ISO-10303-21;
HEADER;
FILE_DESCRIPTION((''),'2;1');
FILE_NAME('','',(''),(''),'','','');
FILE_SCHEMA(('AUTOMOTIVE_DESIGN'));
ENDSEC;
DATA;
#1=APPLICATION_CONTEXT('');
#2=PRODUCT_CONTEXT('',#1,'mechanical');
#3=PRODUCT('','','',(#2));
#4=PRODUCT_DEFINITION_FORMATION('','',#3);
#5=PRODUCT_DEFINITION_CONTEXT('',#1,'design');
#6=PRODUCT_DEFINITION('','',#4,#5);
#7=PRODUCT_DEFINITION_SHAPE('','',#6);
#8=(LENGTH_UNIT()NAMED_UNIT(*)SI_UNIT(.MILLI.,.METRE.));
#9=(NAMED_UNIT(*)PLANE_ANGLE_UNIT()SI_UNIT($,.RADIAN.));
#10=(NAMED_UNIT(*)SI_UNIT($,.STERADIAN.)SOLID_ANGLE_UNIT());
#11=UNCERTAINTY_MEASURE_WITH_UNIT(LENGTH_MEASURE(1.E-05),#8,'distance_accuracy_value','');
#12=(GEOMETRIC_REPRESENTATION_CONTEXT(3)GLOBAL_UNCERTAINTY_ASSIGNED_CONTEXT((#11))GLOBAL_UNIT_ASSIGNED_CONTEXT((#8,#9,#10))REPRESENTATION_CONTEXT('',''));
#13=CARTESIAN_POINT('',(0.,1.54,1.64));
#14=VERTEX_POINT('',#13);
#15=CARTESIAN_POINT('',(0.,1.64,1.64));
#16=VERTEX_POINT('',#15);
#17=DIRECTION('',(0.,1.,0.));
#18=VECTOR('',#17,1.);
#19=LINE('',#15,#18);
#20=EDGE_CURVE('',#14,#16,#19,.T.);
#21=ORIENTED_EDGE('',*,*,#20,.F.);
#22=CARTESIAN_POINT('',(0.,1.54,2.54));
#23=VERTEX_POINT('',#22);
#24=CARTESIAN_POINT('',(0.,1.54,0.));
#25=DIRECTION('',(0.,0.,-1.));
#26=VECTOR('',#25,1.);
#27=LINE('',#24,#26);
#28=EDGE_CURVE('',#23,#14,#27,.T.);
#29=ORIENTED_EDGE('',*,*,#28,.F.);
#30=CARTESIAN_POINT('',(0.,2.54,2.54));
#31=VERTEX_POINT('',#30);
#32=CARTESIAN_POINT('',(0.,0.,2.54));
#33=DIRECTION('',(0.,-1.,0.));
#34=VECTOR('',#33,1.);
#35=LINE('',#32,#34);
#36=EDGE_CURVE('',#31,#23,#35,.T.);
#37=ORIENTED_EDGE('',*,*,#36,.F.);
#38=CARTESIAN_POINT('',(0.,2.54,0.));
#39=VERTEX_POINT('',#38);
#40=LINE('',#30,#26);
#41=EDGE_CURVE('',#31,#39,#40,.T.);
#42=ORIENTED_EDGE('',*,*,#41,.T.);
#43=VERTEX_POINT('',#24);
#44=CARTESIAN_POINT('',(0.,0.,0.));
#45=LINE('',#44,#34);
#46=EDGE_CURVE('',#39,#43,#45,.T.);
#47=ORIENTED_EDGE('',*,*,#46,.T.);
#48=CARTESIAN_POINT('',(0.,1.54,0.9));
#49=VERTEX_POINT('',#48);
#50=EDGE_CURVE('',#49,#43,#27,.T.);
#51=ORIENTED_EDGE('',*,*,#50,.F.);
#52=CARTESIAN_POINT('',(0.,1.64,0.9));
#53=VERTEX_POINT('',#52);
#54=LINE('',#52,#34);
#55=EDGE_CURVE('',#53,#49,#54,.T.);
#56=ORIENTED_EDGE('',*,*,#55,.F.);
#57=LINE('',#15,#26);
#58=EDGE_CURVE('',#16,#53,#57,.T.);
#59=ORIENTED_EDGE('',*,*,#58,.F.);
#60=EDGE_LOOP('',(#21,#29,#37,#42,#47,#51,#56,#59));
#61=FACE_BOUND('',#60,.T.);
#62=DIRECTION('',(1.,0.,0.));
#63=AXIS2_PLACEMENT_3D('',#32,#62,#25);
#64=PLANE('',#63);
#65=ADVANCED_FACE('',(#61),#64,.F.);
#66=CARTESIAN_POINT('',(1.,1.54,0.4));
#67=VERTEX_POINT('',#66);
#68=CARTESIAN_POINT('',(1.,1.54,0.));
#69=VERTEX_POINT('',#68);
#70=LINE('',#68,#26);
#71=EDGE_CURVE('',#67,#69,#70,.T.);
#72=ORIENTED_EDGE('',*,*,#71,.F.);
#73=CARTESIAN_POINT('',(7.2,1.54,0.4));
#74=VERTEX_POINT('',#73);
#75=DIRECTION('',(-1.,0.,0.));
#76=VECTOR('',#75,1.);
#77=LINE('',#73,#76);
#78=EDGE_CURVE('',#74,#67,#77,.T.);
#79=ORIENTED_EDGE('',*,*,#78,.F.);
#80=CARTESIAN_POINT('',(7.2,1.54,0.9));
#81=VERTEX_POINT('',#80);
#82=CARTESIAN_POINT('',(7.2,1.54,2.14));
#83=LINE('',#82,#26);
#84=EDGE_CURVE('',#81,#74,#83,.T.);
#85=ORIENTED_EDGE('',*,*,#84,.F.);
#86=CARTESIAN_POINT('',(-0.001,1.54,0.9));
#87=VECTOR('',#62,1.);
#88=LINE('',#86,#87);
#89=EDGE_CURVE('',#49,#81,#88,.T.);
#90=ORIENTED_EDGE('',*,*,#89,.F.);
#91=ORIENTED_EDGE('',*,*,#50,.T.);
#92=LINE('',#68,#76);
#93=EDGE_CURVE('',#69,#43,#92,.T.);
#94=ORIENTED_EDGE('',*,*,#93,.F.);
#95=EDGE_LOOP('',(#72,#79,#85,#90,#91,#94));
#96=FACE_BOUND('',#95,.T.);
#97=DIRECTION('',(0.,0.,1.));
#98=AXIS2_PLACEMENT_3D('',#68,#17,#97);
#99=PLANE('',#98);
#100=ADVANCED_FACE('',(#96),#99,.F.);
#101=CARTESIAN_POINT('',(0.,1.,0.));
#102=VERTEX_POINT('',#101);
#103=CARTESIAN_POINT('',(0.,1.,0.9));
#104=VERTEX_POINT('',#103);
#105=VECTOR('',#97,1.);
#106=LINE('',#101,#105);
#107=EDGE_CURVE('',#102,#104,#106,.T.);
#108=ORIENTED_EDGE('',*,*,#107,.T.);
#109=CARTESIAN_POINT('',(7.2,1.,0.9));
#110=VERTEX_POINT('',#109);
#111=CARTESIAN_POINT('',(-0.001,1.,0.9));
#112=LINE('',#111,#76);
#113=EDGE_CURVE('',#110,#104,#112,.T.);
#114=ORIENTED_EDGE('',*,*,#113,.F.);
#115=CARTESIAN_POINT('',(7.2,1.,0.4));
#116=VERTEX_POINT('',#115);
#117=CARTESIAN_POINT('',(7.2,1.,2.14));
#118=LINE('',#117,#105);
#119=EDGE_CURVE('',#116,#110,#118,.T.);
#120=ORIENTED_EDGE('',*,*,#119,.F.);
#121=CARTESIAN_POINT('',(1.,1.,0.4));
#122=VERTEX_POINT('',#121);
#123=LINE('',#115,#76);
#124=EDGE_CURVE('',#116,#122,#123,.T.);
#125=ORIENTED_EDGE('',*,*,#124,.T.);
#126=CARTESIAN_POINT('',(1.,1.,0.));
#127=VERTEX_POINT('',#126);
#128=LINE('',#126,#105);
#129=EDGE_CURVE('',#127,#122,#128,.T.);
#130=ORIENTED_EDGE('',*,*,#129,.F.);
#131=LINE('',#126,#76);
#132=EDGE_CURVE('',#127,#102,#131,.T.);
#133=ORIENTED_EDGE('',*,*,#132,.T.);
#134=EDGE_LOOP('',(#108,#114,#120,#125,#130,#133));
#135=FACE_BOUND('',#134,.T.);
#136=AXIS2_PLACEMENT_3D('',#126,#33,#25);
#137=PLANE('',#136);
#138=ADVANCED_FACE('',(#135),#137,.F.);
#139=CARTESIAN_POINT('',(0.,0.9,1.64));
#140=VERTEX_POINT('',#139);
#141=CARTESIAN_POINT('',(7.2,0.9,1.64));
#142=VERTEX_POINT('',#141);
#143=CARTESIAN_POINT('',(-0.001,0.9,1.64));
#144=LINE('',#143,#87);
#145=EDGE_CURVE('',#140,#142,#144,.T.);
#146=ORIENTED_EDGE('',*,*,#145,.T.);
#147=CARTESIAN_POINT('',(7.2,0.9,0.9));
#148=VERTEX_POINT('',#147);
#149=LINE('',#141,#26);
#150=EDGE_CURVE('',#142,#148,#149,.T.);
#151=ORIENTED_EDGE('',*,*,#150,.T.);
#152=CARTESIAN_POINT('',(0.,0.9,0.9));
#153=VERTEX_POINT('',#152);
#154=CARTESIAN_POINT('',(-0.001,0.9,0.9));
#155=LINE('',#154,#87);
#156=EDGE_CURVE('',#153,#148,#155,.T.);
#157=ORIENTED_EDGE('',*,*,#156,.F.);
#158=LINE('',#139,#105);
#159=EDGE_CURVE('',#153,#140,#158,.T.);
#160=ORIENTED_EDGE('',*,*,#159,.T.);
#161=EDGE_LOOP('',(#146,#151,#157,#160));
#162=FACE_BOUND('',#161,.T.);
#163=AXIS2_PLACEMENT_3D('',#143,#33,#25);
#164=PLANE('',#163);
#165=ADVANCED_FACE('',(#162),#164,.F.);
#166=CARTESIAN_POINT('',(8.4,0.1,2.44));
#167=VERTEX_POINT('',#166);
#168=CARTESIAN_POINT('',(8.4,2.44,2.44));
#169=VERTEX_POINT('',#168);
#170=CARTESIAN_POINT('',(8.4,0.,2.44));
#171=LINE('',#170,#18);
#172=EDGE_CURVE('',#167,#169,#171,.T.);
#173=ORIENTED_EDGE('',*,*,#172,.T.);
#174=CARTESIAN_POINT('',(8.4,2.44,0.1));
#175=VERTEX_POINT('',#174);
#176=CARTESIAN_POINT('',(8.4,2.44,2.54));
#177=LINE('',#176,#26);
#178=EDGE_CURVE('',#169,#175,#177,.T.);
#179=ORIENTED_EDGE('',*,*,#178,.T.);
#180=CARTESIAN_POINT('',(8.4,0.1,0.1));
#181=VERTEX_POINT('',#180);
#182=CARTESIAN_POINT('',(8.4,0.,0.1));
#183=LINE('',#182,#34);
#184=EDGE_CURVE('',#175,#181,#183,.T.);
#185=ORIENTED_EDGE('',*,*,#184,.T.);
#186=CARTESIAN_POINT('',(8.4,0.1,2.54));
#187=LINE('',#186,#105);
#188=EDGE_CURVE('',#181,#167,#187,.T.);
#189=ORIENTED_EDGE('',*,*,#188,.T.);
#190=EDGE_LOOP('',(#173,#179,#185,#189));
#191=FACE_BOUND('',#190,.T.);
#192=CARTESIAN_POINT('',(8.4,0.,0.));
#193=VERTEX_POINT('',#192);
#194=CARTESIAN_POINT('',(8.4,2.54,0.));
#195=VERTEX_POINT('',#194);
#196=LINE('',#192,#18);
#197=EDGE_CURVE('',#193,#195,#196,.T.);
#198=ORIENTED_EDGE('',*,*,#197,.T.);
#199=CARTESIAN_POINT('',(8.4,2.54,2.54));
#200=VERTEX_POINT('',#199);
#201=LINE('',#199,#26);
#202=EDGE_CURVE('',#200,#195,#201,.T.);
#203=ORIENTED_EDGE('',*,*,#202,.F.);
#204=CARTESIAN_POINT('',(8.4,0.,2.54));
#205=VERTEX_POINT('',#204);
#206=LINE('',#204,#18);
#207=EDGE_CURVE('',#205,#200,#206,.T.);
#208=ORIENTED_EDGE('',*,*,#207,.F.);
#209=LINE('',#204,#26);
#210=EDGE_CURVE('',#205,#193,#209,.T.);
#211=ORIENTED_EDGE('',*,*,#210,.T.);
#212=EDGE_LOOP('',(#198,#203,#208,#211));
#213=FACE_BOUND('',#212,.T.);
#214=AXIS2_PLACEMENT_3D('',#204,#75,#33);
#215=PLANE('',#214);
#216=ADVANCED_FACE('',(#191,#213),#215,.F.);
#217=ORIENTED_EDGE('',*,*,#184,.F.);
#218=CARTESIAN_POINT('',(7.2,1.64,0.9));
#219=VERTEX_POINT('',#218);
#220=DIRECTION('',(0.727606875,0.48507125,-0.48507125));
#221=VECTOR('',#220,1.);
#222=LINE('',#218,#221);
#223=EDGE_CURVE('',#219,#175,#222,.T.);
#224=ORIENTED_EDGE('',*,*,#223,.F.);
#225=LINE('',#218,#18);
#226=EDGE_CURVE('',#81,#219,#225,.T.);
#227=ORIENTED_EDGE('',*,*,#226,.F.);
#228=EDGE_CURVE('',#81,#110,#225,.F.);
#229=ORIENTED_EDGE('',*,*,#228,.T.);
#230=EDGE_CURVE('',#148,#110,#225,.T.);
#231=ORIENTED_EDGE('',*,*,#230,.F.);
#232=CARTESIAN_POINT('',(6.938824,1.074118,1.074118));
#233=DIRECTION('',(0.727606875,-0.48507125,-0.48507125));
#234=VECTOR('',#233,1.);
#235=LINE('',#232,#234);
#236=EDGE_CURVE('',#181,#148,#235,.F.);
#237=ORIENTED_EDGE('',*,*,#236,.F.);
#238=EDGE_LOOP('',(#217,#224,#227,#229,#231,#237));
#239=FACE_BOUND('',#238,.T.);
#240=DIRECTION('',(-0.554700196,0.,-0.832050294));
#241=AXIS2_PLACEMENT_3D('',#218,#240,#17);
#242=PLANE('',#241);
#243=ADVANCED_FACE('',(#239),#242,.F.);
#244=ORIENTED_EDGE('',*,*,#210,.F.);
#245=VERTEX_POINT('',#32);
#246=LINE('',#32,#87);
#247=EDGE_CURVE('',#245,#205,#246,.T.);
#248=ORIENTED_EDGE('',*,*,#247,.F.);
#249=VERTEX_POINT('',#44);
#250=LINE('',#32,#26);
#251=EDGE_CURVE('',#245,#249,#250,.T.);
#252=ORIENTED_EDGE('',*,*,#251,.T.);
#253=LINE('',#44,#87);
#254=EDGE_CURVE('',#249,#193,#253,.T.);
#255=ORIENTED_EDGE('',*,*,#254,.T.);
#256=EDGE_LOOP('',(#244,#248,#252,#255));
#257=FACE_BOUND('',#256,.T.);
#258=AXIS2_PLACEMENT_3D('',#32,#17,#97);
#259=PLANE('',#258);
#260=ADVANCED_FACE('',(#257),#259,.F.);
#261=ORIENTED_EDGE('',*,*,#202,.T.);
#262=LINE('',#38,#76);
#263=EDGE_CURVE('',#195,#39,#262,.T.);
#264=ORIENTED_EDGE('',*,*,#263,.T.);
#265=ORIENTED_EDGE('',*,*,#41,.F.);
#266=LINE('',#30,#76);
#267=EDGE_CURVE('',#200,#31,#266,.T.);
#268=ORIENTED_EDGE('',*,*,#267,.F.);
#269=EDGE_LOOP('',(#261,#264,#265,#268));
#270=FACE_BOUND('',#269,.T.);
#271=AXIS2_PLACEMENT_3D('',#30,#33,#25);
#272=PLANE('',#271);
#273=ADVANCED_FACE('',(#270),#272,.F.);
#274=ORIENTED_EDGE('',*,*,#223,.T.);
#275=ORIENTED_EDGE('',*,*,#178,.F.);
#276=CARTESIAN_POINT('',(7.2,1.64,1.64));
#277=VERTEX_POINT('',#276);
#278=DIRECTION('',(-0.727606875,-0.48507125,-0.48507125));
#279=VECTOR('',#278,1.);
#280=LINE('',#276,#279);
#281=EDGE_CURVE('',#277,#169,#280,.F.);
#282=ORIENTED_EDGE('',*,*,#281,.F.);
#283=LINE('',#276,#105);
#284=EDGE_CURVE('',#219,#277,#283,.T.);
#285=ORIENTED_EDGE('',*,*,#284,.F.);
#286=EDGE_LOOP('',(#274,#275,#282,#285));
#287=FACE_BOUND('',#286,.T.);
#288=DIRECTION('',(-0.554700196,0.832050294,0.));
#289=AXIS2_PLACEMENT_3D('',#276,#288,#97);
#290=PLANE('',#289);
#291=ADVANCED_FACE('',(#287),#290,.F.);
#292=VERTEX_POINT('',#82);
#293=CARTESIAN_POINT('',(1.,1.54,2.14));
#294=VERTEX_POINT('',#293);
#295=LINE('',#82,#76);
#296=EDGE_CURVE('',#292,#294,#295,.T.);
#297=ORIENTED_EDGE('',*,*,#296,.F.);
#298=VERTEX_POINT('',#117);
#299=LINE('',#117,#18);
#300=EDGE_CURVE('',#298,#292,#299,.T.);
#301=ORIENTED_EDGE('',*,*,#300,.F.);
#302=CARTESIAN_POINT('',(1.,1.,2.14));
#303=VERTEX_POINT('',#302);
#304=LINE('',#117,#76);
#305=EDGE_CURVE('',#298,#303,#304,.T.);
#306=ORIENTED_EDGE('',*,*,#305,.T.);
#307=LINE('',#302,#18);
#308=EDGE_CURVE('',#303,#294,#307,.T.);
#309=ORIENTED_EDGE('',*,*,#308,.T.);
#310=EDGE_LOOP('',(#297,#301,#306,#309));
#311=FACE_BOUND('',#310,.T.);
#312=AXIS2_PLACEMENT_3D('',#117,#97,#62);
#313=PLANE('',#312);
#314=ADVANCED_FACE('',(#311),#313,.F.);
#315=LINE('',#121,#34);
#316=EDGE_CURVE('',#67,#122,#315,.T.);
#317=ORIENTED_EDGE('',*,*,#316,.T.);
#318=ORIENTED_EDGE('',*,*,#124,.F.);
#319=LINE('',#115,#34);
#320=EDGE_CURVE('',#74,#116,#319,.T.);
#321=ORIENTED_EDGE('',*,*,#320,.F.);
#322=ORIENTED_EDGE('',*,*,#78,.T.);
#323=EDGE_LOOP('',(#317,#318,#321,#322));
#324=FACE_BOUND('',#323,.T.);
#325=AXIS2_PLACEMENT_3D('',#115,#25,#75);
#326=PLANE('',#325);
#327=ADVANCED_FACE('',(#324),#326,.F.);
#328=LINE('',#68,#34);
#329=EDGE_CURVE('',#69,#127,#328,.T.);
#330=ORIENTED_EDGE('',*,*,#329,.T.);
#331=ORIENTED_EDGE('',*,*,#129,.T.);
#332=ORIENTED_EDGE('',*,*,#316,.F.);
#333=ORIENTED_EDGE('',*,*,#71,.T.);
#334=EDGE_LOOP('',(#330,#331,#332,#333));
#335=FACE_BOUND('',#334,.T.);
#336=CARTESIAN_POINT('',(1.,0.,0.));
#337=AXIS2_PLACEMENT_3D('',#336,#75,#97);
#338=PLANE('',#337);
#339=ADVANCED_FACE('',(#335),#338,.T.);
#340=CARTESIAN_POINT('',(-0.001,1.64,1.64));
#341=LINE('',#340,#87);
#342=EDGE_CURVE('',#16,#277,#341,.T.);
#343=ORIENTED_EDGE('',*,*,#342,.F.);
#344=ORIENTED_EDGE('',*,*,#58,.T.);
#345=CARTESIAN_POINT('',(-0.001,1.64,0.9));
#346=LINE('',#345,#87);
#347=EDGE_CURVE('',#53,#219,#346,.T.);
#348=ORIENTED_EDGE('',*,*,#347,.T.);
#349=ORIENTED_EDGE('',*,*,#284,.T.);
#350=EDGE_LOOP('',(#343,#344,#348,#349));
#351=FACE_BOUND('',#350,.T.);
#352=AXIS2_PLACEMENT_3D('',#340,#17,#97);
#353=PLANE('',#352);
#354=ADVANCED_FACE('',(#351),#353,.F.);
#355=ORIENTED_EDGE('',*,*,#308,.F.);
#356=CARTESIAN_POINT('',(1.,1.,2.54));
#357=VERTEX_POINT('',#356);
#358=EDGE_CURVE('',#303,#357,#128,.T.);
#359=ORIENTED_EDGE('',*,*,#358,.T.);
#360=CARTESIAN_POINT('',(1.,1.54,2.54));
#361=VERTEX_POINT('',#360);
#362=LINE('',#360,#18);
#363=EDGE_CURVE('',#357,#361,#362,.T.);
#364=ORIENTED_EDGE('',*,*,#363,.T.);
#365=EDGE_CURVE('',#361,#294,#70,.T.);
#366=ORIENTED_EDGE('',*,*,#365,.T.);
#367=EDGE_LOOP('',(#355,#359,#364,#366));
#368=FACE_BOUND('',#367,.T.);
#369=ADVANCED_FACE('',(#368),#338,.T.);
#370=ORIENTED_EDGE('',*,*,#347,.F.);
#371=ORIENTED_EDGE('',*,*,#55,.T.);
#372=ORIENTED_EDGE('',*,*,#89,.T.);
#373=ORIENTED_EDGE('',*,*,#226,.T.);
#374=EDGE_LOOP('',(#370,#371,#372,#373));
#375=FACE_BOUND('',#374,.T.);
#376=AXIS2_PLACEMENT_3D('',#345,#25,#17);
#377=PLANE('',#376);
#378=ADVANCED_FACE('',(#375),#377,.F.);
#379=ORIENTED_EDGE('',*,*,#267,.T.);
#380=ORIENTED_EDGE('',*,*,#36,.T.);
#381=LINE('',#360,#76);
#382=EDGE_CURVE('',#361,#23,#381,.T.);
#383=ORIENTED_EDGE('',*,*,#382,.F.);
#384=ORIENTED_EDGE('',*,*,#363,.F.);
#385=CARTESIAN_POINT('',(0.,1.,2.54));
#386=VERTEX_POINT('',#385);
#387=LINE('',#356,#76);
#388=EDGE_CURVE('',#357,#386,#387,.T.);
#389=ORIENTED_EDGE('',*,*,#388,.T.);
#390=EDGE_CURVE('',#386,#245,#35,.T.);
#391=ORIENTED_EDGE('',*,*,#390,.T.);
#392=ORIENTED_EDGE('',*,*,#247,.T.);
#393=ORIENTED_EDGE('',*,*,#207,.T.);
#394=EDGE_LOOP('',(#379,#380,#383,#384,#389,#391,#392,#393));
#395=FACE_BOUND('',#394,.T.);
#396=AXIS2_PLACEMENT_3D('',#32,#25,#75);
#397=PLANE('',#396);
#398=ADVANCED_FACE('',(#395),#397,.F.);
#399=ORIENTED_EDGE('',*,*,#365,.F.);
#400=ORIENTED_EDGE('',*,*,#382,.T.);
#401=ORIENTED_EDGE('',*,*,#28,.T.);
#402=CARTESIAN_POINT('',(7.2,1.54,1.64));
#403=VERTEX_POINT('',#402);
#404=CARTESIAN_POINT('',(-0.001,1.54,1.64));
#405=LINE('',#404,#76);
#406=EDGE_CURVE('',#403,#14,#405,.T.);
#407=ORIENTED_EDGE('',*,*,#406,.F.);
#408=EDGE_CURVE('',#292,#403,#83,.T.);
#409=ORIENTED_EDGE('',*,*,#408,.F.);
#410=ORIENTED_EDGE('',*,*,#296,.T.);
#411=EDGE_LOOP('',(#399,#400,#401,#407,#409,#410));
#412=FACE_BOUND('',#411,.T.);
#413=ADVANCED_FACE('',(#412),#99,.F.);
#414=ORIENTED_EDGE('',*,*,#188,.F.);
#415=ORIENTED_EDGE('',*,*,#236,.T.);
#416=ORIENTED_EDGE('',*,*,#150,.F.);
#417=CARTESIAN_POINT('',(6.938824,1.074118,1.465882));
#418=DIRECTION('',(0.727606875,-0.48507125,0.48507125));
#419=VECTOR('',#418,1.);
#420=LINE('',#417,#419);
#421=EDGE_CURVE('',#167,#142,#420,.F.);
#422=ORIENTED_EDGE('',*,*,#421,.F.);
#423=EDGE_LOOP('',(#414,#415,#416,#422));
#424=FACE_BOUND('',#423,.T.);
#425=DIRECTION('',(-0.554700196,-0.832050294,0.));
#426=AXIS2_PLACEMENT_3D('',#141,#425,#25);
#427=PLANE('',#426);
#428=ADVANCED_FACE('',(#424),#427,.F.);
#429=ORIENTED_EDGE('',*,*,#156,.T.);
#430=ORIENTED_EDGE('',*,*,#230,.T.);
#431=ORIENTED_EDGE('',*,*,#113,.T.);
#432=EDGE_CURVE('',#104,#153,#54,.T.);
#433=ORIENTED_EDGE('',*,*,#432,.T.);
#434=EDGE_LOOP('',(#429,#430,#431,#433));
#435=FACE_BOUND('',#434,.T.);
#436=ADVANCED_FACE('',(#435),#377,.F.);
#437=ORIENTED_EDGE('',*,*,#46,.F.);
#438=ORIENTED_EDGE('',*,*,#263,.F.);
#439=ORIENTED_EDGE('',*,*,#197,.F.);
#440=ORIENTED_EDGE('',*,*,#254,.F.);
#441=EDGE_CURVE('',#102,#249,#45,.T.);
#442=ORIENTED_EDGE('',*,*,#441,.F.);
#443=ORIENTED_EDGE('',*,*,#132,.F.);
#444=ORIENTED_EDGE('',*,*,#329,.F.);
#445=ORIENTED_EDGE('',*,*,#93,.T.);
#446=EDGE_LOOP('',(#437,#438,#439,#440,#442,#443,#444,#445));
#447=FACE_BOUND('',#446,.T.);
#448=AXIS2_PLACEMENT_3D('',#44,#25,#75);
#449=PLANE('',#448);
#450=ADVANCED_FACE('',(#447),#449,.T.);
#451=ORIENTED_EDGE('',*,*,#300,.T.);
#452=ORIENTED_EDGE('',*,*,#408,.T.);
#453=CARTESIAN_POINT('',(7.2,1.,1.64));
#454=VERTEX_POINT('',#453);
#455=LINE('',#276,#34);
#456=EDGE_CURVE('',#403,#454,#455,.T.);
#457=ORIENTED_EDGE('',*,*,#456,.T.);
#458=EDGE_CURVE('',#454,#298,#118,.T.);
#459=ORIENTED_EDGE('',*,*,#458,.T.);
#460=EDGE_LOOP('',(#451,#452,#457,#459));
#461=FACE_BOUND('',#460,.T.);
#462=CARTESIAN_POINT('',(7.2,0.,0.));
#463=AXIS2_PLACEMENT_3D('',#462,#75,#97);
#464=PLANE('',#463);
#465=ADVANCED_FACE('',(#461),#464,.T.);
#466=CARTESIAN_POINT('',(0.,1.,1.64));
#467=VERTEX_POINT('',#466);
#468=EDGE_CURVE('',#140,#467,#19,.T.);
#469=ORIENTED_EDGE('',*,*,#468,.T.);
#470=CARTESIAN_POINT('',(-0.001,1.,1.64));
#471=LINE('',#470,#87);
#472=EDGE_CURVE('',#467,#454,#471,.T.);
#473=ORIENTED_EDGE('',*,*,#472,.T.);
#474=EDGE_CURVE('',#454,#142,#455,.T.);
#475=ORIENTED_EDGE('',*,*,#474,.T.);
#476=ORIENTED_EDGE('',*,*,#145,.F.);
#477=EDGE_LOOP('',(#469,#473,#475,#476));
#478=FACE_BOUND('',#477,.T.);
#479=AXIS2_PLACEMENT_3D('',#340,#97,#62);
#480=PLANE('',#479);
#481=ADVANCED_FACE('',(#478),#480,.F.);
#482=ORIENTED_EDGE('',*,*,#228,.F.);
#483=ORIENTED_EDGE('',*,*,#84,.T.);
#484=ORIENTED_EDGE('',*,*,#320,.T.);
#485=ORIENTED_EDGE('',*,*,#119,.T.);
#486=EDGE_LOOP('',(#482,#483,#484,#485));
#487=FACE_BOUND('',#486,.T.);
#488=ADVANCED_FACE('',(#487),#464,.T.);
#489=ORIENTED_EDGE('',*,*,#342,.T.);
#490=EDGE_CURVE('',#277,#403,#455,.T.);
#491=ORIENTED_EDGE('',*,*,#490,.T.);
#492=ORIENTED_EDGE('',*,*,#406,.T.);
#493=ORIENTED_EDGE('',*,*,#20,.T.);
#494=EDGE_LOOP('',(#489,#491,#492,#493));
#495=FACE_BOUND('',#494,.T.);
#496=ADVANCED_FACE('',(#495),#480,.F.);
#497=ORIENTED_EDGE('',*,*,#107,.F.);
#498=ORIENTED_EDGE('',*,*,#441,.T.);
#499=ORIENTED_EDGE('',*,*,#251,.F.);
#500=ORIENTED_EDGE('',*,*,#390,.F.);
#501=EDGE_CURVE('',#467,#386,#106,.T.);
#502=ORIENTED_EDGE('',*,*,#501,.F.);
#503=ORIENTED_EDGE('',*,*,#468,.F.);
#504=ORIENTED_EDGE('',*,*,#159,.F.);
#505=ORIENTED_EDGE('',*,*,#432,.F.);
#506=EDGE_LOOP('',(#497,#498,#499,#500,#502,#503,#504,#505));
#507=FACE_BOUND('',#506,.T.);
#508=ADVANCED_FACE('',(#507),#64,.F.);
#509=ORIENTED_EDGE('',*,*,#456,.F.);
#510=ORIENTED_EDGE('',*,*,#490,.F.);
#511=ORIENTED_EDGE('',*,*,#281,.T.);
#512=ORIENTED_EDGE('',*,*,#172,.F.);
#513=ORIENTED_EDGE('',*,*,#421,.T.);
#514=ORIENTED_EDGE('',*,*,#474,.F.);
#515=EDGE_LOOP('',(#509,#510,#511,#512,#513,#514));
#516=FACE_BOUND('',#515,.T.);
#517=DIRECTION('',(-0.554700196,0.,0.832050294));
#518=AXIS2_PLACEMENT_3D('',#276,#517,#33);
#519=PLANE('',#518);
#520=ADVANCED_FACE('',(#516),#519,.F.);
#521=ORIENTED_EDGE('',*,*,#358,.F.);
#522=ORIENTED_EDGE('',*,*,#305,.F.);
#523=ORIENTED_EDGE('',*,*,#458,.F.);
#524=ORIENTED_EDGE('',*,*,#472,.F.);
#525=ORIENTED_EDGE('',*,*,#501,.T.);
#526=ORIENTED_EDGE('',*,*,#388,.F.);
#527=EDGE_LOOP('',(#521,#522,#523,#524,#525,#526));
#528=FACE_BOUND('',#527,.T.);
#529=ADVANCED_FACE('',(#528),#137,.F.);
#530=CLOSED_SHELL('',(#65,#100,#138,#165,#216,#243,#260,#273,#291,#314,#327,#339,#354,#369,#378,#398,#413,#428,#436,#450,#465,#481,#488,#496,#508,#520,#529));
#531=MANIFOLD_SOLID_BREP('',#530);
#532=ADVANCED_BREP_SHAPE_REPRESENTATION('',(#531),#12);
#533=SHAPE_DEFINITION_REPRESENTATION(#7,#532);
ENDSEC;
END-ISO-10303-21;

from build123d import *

# Parameters (mm, degrees)
SKETCH1_W           = 8.4
SKETCH1_H           = 2.54
BOSS_EXTRUDE1_DEPTH = 2.54
CUT_EXTRUDE1_REACH  = 10.4
SKETCH2_W           = 0.74
SKETCH2_H           = 0.74
CHAMFER2_SIZE       = 0.8
CHAMFER2_SIZE2      = 1.2
SKETCH3_W           = 2.54
SKETCH3_H           = 0.54
CUT_EXTRUDE2_DEPTH  = 1
CUT_EXTRUDE4_START  = -6.2
SKETCH5_W           = 1.74
SKETCH5_H           = 0.54
CUT_EXTRUDE4_DEPTH  = 6.2


with BuildPart() as part:
    # Sketch1 → Boss-Extrude1 (new body)
    with BuildSketch(Plane.XY):
        with Locations((4.2, 1.27)):
            Rectangle(SKETCH1_W, SKETCH1_H)
    extrude(amount=BOSS_EXTRUDE1_DEPTH)

    # Sketch2 → Cut-Extrude1 (cut, up to next)
    with BuildSketch(Plane(origin=(8.4, 0, 0), x_dir=(0, 0, -1), z_dir=(1, 0, 0)), mode=Mode.PRIVATE) as cut_extrude1_sk1:
        with Locations((-1.27, 1.27)):
            Rectangle(SKETCH2_W, SKETCH2_H)
    cut_extrude1_tool1 = extrude(cut_extrude1_sk1.sketch, amount=-CUT_EXTRUDE1_REACH, mode=Mode.PRIVATE) & part.part
    add(cut_extrude1_tool1.solids().sort_by_distance((8.4, 1.27, 1.27))[0], mode=Mode.SUBTRACT)

    # Chamfer2
    chamfer2_edges = [part.edges().sort_by_distance(p)[0] for p in [
        (8.4, 1.27, 1.64),
        (8.4, 0.9, 1.27),
        (8.4, 1.27, 0.9),
        (8.4, 1.64, 1.27),
    ]]
    chamfer2_side = [part.faces().sort_by_distance(p)[0] for p in [
        (8.4, 0.035921024, 1.27),
    ]]
    chamfer(chamfer2_edges, length=CHAMFER2_SIZE, length2=CHAMFER2_SIZE2, reference=chamfer2_side[0])

    # Sketch3 → Cut-Extrude2 (cut)
    with BuildSketch(Plane.ZY):
        with Locations((1.27, 1.27)):
            Rectangle(SKETCH3_W, SKETCH3_H)
    extrude(amount=-CUT_EXTRUDE2_DEPTH, mode=Mode.SUBTRACT)

    # Sketch5 → Cut-Extrude4 (cut)
    with BuildSketch(Plane.ZY.offset(-1).offset(CUT_EXTRUDE4_START)):
        with Locations((1.27, 1.27)):
            Rectangle(SKETCH5_W, SKETCH5_H)
    extrude(amount=CUT_EXTRUDE4_DEPTH, mode=Mode.SUBTRACT)


solid = part.part
